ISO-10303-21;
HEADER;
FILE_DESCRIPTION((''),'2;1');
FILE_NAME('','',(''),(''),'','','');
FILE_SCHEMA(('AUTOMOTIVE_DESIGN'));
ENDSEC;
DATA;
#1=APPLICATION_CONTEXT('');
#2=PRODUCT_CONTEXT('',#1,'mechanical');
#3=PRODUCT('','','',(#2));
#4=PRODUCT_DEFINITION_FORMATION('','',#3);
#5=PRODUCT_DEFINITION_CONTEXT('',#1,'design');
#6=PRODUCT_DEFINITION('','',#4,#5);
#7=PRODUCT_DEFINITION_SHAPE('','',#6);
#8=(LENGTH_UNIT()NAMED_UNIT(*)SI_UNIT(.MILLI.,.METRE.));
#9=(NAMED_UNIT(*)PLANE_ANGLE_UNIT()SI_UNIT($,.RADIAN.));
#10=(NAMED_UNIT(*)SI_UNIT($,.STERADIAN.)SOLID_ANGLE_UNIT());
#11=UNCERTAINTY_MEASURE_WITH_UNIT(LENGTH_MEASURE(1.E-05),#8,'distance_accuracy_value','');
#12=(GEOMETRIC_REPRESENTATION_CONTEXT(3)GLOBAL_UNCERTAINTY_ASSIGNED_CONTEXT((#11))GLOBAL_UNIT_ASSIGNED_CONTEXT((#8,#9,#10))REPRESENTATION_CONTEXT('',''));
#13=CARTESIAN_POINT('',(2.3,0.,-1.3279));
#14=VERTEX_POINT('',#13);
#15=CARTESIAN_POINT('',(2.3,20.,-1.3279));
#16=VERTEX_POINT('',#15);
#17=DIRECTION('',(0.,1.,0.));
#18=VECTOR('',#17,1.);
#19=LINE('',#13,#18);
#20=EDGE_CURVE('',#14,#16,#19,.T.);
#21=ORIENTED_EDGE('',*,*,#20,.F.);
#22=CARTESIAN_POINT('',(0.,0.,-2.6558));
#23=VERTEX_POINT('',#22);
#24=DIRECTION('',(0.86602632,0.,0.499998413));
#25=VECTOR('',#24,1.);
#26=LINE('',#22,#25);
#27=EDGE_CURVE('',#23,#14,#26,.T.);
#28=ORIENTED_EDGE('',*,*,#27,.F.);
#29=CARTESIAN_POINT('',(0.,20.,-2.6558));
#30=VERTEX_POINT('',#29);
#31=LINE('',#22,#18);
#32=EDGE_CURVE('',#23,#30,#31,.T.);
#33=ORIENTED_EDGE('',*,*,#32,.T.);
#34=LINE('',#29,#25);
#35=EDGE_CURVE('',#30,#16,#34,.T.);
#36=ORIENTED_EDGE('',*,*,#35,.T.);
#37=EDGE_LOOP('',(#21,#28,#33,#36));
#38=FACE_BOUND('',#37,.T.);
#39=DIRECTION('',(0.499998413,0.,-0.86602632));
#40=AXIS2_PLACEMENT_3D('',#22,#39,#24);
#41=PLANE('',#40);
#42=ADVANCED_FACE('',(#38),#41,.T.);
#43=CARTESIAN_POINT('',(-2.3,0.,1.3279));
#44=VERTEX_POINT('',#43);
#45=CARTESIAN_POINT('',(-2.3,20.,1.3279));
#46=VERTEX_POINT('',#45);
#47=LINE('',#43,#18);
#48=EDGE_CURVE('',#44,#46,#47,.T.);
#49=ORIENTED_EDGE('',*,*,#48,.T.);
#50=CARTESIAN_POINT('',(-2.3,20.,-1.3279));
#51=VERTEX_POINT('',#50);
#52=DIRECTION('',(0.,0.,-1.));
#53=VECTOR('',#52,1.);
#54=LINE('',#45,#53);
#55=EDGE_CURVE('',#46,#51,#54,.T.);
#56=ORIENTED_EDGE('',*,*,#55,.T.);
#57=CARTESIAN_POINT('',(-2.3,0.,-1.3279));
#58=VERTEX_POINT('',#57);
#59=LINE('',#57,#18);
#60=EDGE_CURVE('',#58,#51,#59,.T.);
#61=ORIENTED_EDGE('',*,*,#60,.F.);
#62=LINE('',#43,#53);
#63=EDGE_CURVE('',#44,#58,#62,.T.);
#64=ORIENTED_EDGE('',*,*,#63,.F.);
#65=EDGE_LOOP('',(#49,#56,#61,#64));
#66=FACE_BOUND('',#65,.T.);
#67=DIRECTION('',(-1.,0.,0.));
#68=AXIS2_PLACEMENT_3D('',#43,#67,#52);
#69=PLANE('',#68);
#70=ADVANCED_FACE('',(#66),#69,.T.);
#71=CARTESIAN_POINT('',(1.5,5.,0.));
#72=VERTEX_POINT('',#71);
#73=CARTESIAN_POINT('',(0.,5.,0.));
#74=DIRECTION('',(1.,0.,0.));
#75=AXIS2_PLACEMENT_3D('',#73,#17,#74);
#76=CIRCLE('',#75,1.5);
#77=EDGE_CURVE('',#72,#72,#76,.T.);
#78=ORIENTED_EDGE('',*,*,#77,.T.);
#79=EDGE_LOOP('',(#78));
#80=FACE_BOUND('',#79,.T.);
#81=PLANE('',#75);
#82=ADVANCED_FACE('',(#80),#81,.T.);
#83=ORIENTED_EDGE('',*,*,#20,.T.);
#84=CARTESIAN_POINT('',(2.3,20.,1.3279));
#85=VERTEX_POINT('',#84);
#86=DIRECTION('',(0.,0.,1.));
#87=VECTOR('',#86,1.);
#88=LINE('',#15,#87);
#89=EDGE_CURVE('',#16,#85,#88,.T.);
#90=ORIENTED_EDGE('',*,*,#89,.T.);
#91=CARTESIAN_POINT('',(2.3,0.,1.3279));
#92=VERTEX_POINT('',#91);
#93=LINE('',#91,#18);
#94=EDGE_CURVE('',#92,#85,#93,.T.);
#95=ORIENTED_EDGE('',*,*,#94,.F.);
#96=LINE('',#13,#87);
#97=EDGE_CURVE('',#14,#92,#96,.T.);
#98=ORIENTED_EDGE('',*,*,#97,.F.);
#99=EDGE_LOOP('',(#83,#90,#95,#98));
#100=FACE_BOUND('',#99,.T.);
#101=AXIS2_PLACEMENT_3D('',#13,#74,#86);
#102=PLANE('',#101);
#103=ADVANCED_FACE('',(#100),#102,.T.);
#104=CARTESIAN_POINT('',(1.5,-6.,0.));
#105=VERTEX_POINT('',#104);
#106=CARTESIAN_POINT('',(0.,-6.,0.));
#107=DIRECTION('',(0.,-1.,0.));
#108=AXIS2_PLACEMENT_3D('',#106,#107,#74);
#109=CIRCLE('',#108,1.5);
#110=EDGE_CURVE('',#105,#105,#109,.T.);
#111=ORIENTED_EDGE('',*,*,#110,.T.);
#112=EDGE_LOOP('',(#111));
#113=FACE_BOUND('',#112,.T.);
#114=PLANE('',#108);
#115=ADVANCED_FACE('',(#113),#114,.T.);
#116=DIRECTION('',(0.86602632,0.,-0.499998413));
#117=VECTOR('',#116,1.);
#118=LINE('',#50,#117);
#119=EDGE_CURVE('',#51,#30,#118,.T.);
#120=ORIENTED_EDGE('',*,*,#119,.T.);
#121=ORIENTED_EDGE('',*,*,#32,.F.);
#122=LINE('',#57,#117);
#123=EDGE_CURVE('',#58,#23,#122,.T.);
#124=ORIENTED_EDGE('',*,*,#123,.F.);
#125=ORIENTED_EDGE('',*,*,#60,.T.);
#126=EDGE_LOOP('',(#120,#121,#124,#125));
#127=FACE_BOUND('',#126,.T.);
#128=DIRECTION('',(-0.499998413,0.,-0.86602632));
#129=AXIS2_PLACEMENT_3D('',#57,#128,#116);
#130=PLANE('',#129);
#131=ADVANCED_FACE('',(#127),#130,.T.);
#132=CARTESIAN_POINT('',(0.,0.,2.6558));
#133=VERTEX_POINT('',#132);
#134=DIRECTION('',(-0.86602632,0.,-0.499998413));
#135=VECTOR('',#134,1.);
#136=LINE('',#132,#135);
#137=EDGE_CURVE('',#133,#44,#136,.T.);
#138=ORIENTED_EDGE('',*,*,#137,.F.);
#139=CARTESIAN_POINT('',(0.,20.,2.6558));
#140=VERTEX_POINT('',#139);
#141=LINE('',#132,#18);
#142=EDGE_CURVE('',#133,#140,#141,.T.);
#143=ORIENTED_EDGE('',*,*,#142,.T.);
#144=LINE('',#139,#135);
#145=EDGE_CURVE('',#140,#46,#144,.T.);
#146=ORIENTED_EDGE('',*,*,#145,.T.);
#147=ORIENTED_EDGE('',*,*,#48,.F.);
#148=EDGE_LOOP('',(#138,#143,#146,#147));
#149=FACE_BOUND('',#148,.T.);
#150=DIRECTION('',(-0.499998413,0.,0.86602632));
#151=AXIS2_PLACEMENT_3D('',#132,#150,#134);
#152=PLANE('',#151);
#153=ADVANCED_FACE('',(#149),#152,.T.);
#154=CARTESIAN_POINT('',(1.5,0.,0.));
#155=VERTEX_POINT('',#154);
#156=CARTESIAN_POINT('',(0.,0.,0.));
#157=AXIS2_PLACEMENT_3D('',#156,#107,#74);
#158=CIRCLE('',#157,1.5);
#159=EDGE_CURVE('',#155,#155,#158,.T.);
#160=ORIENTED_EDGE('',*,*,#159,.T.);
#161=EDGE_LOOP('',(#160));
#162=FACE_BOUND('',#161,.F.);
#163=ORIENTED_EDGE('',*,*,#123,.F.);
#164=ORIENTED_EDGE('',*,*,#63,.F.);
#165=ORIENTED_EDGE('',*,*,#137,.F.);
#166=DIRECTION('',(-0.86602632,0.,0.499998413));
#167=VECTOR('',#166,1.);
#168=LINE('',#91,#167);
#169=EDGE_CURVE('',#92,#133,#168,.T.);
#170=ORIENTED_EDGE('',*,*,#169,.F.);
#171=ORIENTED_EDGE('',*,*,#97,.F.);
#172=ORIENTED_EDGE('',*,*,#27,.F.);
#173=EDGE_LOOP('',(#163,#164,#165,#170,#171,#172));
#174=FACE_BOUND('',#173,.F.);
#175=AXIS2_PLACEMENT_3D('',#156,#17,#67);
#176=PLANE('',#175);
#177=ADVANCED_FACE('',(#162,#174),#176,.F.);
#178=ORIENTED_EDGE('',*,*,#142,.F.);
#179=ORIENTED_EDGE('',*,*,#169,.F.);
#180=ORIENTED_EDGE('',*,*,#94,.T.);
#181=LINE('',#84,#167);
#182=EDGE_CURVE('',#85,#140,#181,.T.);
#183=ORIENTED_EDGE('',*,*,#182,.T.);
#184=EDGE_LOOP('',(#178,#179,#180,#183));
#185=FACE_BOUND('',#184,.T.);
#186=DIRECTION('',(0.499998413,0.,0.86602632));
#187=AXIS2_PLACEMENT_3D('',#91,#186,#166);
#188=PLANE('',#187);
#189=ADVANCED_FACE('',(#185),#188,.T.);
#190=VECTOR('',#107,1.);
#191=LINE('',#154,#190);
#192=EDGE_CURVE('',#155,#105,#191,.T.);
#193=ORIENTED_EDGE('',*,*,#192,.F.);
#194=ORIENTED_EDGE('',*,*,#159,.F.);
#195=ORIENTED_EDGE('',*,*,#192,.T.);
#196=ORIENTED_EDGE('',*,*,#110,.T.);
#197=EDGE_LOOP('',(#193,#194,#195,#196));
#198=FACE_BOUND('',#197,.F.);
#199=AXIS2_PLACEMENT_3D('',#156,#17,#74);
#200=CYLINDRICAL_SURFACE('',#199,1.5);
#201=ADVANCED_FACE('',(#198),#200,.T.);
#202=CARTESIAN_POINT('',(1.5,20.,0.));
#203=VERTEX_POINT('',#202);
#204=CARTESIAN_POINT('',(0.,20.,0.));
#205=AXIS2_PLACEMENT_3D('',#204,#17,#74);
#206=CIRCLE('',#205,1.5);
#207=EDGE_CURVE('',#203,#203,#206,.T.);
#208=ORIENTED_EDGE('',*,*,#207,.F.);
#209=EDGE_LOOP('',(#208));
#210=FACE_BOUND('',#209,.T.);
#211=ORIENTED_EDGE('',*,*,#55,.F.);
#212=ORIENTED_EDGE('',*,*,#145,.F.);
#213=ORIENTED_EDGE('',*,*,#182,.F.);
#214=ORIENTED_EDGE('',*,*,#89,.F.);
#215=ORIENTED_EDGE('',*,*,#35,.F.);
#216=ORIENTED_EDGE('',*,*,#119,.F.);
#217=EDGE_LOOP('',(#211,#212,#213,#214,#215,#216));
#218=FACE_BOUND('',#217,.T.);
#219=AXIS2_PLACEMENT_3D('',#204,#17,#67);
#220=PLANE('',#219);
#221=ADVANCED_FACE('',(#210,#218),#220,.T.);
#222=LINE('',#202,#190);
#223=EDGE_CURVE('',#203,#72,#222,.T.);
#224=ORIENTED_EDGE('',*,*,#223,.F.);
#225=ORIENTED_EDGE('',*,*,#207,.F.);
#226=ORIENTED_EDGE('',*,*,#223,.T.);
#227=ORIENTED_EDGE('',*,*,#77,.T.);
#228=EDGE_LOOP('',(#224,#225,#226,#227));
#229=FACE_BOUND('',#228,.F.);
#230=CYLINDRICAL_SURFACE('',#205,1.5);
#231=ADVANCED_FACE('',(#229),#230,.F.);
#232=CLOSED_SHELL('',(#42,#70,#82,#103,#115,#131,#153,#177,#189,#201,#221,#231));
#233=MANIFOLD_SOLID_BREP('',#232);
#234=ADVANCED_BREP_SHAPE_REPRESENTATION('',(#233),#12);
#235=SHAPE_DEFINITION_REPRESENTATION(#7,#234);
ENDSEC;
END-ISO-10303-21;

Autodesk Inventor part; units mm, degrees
ref_plane "YZ Plane" through (0, 0, 0) normal (1, 0, 0) x (0, 1, 0)
ref_plane "XZ Plane" through (0, 0, 0) normal (0, 1, 0) x (-1, 0, 0)
ref_plane "XY Plane" through (0, 0, 0) normal (0, 0, 1) x (1, 0, 0)
sketch "Sketch1" plane through (0, 0, 0) normal (0, 1, 0) x (-1, 0, 0)
  line L0 (0, -2.6558) -> (-2.3, -1.3279)
  line L1 (-2.3, -1.3279) -> (-2.3, 1.3279)
  line L2 (-2.3, 1.3279) -> (0, 2.6558)
  line L3 (0, 2.6558) -> (2.3, 1.3279)
  line L4 (2.3, 1.3279) -> (2.3, -1.3279)
  line L5 (2.3, -1.3279) -> (0, -2.6558)
  point P0 (0, 0)
  point P1 (0, 0)
  dimension "d0" = 4.6
extrude "Extrusion1" add sketch "Sketch1" along normal blind 20
sketch "Sketch2" plane through (0, 20, 0) normal (0, 1, 0) x (1, 0, 0)
  circle A0 centre (0, 0) radius 1.5
  dimension "d3" = 3
extrude "Extrusion2" cut sketch "Sketch2" against normal blind 15
sketch "Sketch3" plane through (0, 0, 0) normal (0, -1, 0) x (1, 0, 0)
  circle A0 centre (0, 0) radius 1.5
  dimension "d6" = 3
extrude "Extrusion3" add sketch "Sketch3" along normal blind 6
properties part number "Separador-M3-20mm-Pin" material "Stainless Steel"
